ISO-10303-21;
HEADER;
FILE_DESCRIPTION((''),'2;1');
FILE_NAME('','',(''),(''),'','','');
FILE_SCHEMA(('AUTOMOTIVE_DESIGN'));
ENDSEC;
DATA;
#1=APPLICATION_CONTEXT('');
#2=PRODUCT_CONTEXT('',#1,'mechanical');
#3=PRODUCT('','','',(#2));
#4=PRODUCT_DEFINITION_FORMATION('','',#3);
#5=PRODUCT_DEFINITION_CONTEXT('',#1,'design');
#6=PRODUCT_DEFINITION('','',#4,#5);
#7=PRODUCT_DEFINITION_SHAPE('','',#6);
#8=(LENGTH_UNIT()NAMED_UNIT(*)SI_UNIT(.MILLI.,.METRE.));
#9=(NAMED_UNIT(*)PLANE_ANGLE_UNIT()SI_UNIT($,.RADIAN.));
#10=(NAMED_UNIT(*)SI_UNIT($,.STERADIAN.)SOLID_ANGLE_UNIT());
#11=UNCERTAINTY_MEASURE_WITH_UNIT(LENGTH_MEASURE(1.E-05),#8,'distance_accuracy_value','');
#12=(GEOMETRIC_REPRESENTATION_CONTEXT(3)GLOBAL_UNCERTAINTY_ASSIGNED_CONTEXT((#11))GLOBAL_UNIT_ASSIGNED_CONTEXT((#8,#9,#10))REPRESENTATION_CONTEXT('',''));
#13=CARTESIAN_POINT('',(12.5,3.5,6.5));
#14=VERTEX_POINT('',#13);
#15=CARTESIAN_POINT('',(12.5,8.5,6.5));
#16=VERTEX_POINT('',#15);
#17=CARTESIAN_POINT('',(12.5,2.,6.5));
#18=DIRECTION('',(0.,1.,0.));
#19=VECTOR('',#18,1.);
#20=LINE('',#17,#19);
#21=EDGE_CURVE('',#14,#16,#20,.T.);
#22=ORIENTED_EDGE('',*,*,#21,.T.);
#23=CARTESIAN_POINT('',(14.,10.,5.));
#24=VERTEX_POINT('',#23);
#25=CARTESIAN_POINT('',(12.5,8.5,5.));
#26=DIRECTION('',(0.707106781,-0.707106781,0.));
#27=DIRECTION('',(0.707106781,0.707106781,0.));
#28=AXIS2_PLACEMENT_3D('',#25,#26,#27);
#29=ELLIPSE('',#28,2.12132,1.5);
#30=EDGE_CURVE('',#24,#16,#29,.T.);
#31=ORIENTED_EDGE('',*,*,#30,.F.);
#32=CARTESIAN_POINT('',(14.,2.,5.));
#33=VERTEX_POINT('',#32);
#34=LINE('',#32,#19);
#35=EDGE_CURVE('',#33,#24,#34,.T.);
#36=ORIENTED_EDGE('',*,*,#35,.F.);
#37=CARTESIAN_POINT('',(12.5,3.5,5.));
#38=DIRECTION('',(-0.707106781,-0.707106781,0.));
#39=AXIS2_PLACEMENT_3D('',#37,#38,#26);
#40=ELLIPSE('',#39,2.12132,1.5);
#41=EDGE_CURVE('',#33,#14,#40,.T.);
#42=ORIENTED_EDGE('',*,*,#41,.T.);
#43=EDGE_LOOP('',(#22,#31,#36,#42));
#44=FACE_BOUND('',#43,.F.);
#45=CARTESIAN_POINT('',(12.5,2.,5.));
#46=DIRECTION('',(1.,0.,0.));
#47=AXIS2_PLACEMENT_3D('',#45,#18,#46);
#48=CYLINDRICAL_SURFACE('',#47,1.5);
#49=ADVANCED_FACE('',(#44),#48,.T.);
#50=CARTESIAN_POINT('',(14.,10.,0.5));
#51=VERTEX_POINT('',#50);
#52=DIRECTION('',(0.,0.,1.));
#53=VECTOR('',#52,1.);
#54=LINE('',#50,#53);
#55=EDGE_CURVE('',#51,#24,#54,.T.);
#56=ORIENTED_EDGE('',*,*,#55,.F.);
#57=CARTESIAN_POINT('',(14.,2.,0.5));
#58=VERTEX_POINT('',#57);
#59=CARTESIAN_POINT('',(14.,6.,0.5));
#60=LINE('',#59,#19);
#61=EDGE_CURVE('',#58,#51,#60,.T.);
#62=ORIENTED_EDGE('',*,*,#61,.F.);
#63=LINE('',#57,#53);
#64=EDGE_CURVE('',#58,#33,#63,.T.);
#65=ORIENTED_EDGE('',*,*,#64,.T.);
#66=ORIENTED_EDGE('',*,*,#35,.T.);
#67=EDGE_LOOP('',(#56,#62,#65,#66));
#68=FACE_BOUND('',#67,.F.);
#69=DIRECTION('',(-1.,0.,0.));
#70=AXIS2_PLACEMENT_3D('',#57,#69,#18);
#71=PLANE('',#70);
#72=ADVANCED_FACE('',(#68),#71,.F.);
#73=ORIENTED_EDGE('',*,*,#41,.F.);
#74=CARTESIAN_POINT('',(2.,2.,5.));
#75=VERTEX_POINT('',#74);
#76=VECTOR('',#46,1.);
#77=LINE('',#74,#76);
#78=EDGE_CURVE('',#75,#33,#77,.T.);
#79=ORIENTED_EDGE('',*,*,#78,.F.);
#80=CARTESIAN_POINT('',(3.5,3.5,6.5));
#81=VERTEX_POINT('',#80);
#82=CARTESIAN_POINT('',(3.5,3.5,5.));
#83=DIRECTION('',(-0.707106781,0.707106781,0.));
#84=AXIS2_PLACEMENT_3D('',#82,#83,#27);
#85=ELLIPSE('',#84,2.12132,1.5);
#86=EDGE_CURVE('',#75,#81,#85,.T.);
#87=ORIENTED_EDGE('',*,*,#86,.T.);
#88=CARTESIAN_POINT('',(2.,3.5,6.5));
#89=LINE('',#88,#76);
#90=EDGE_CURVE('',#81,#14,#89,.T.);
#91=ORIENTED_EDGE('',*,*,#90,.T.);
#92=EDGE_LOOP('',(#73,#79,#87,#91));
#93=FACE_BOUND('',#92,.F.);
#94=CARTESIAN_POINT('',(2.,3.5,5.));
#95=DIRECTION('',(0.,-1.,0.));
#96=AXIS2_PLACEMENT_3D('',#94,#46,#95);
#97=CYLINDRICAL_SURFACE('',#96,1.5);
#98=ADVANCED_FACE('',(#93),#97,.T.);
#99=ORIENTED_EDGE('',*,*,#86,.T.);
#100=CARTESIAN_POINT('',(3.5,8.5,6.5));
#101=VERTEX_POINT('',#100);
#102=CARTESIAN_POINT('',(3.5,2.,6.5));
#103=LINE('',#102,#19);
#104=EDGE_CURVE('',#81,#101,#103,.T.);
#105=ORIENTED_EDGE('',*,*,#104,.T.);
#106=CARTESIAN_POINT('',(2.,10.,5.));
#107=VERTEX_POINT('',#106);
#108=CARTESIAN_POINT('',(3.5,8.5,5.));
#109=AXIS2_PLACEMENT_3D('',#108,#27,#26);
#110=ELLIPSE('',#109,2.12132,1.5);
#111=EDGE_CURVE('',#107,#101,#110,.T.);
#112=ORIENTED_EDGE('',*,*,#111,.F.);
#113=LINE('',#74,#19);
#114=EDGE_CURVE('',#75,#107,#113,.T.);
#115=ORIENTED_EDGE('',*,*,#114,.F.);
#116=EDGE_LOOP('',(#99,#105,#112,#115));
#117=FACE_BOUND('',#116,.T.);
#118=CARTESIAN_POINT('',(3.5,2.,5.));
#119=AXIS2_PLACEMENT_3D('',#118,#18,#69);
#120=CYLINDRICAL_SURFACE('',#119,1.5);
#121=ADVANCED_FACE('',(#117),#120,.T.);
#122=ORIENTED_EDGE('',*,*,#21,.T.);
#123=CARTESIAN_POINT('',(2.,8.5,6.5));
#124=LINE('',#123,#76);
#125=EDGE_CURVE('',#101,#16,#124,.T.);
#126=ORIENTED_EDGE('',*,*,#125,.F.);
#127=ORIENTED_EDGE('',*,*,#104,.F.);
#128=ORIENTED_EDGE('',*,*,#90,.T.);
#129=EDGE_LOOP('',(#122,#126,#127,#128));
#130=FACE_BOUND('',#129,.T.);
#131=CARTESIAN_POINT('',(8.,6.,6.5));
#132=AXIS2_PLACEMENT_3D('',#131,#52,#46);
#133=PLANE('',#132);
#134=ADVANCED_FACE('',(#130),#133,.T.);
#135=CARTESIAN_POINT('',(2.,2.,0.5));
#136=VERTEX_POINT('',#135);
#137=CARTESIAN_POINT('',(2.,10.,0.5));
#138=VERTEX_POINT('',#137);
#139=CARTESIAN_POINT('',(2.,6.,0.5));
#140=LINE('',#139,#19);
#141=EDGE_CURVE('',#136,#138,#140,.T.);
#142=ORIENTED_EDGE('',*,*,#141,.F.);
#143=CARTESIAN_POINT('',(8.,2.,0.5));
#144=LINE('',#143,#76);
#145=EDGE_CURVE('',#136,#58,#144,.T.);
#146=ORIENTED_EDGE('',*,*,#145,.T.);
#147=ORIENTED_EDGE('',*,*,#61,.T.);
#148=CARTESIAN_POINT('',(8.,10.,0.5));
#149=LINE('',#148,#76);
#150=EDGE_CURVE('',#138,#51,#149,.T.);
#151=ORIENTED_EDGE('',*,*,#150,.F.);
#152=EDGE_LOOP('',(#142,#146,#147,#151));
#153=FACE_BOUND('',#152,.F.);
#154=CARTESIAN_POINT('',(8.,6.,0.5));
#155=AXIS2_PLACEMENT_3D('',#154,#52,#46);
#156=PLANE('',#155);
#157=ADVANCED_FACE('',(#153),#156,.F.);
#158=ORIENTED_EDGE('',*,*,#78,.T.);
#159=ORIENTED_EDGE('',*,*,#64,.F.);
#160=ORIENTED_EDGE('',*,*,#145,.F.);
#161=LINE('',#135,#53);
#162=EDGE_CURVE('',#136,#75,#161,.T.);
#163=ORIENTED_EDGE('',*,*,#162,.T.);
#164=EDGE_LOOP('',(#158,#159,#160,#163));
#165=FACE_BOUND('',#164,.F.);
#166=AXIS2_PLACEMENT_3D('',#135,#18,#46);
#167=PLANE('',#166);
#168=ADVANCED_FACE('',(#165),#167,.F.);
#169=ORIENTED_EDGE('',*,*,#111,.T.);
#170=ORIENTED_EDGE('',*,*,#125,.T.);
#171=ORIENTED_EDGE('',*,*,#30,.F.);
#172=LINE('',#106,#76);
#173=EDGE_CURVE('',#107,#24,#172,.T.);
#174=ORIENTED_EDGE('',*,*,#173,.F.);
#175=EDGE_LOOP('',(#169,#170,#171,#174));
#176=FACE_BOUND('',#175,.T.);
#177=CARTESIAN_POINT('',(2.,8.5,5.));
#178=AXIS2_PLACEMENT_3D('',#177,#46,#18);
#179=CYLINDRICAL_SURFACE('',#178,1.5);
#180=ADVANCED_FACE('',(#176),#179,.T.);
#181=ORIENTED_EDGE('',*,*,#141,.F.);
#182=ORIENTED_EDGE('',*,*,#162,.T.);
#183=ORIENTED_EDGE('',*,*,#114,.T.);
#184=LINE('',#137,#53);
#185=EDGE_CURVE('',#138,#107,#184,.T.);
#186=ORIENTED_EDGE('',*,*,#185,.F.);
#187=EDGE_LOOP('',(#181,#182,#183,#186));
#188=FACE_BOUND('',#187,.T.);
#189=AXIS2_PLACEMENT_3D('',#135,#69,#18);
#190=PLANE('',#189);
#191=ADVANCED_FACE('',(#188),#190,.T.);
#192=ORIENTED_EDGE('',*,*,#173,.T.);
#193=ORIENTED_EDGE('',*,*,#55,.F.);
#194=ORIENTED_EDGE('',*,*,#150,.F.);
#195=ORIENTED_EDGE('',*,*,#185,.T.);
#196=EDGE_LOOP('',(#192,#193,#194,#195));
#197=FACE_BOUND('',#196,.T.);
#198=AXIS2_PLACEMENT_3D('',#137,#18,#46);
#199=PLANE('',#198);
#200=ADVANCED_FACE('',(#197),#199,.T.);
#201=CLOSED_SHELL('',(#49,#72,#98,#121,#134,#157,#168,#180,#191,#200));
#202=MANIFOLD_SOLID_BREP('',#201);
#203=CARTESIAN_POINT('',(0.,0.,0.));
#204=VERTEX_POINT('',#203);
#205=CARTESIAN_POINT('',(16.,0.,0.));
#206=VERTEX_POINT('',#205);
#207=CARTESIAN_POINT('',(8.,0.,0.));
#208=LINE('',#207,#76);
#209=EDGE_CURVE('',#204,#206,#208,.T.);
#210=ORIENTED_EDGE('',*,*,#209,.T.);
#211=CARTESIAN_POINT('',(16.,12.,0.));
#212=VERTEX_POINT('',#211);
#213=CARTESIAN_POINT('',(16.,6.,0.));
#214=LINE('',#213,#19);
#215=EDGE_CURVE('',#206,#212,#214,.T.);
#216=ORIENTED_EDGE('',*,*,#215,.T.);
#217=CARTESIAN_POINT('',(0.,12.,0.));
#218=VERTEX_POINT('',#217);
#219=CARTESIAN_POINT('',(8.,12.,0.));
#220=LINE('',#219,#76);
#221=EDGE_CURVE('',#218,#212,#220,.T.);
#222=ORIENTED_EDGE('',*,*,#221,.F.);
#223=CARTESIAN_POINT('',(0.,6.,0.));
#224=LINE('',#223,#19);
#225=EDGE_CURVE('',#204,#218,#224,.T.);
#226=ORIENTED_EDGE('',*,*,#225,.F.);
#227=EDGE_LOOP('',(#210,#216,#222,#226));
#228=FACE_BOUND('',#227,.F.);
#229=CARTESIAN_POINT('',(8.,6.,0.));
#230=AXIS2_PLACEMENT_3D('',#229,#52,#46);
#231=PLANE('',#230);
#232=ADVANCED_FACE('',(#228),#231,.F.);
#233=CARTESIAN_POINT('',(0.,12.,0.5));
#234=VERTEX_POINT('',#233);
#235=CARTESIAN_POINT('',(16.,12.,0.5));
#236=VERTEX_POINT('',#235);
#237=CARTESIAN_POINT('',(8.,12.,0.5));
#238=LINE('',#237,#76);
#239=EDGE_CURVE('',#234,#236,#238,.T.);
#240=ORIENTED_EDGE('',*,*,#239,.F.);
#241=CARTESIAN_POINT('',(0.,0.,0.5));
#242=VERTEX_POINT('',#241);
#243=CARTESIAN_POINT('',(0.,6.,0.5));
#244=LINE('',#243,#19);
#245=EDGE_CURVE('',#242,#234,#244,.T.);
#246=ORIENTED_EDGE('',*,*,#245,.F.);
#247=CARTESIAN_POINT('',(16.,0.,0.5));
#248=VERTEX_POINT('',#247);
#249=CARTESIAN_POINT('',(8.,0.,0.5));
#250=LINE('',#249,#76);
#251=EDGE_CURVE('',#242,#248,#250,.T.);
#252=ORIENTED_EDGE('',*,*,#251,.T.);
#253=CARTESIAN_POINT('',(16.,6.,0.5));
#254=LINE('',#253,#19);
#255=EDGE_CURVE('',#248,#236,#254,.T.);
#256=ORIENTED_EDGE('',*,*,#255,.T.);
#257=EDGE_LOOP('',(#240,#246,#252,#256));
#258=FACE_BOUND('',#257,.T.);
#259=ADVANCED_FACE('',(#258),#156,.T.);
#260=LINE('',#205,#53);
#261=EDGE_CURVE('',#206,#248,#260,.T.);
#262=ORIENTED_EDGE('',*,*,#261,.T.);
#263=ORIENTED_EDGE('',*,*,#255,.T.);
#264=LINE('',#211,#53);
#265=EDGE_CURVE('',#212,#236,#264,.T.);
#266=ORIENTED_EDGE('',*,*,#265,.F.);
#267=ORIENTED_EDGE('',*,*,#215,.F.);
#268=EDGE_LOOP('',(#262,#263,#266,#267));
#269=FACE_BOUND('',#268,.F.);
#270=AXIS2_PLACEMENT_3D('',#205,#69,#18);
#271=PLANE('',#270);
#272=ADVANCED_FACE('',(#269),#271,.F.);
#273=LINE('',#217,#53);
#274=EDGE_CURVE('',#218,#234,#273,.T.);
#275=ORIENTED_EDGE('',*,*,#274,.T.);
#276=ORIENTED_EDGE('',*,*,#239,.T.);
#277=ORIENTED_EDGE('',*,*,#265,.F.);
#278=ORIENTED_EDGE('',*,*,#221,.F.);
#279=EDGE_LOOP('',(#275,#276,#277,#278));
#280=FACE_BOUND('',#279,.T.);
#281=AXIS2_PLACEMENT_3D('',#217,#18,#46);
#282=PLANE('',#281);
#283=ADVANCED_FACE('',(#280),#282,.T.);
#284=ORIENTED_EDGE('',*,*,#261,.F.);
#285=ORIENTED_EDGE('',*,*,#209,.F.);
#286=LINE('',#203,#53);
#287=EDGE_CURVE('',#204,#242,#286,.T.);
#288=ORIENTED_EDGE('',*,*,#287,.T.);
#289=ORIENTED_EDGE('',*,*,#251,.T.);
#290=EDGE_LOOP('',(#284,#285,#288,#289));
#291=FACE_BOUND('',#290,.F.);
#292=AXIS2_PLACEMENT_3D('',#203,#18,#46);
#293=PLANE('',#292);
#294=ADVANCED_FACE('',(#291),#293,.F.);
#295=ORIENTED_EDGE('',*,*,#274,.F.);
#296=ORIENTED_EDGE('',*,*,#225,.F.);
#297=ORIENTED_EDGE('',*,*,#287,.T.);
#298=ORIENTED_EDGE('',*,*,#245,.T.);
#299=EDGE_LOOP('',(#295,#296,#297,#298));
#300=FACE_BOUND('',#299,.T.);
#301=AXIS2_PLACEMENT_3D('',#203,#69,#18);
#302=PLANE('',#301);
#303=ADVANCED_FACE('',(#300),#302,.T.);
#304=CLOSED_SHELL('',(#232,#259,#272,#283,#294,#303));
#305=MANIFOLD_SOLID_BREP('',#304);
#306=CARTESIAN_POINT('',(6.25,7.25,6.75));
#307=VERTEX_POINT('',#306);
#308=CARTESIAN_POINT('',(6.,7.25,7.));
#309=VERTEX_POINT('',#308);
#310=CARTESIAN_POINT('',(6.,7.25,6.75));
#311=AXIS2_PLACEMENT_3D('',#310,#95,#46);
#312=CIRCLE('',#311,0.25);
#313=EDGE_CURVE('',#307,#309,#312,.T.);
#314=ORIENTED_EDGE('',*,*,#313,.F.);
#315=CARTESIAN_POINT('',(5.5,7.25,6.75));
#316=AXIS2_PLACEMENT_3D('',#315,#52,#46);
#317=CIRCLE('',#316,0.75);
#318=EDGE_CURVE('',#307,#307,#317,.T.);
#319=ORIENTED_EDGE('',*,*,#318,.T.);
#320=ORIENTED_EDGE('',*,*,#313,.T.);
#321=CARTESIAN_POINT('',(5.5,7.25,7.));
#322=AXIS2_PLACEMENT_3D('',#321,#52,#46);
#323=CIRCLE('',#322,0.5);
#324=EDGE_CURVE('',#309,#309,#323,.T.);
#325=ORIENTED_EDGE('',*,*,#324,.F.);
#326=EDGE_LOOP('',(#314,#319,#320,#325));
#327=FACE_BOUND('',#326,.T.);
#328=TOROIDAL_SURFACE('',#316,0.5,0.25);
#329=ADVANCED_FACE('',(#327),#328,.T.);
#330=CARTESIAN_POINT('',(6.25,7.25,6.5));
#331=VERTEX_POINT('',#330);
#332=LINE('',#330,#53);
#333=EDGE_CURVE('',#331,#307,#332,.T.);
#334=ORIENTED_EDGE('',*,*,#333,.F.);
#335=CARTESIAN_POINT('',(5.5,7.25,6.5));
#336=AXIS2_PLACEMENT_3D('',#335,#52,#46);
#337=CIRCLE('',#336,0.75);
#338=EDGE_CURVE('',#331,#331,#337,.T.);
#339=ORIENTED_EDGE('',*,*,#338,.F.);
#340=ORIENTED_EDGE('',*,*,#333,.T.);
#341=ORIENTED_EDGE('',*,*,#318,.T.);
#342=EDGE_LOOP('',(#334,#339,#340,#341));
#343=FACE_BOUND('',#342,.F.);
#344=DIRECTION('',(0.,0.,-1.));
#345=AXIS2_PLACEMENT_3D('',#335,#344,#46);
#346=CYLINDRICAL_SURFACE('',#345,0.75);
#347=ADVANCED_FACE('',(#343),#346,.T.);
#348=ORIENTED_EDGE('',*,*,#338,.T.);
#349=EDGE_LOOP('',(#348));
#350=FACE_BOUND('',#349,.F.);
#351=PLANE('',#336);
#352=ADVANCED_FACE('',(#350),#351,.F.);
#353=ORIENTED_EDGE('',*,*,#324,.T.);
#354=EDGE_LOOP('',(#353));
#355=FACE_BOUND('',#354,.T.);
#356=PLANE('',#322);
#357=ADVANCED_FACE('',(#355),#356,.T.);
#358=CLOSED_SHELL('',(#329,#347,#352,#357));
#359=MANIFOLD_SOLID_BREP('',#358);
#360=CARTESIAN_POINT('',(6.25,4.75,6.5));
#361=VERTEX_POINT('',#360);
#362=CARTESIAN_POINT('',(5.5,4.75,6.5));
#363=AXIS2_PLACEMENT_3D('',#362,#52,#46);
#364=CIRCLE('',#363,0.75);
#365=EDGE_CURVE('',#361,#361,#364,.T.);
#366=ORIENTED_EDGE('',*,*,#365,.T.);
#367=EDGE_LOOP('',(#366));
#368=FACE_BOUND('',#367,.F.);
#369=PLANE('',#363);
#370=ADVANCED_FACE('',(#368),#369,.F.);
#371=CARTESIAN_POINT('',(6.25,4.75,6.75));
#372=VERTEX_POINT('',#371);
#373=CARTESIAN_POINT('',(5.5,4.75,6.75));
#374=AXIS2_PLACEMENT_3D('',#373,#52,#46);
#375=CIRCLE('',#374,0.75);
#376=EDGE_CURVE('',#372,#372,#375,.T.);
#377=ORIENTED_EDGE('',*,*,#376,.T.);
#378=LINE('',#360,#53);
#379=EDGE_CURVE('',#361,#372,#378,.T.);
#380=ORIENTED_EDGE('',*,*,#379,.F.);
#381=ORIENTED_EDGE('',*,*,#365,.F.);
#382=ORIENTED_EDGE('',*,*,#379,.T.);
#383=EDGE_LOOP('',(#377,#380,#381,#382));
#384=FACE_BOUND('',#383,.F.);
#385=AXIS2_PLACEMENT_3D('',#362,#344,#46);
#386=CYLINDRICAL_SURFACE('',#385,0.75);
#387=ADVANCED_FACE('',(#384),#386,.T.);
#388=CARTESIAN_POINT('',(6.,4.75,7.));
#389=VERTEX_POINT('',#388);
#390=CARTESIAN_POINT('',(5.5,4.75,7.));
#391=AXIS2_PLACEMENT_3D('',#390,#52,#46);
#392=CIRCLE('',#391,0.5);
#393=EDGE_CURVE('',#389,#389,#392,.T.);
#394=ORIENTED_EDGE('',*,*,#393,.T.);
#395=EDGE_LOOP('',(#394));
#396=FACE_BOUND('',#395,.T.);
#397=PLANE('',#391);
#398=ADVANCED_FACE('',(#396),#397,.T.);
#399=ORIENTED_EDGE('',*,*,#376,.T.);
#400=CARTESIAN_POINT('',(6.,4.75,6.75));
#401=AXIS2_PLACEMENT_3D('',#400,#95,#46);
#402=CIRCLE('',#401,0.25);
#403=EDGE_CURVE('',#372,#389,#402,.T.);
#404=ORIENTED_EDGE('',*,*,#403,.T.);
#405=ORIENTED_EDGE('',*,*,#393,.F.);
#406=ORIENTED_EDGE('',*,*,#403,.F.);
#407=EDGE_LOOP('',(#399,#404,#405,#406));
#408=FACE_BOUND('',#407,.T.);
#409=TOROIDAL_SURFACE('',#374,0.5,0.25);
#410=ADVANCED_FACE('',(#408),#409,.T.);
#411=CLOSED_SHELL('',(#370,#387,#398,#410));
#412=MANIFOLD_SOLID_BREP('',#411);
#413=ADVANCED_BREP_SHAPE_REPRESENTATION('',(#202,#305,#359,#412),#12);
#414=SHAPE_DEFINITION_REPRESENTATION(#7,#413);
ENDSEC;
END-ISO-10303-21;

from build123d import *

# Parameters (mm, degrees)
SKETCH_W     = 16
SKETCH_H     = 12
PAD_DEPTH    = 0.5
SKETCH001_W  = 12
SKETCH001_H  = 8
PAD001_DEPTH = 6
FILLET_R     = 1.5
SKETCH002_R  = 0.75
PAD002_DEPTH = 0.5
FILLET001_R  = 0.25
SKETCH004_R  = 0.75
PAD004_DEPTH = 0.5
FILLET003_R  = 0.25


with BuildPart() as pad:
    # Sketch → Pad (new body)
    with BuildSketch(Plane.XY):
        with Locations((8, 6)):
            Rectangle(SKETCH_W, SKETCH_H)
    extrude(amount=PAD_DEPTH)


with BuildPart() as fillet_body:
    # Sketch001 → Pad001 (new body)
    with BuildSketch(Plane.XY.offset(0.5)):
        with Locations((8, 6)):
            Rectangle(SKETCH001_W, SKETCH001_H)
    extrude(amount=PAD001_DEPTH)

    # Fillet
    fillet_edges = [fillet_body.edges().sort_by_distance(p)[0] for p in [
        (8, 2, 6.5),
        (14, 6, 6.5),
        (8, 10, 6.5),
        (2, 6, 6.5),
    ]]
    fillet(fillet_edges, radius=FILLET_R)


with BuildPart() as fillet001:
    # Sketch002 → Pad002 (new body)
    with BuildSketch(Plane.XY.offset(6.5)):
        with Locations((5.5, 4.75)):
            Circle(SKETCH002_R)
    extrude(amount=PAD002_DEPTH)

    # Fillet001
    fillet001_edges = [fillet001.edges().sort_by_distance(p)[0] for p in [
        (4.75, 4.75, 7),
    ]]
    fillet(fillet001_edges, radius=FILLET001_R)


with BuildPart() as fillet003:
    # Sketch004 → Pad004 (new body)
    with BuildSketch(Plane.XY.offset(6.5)):
        with Locations((5.5, 7.25)):
            Circle(SKETCH004_R)
    extrude(amount=PAD004_DEPTH)

    # Fillet003
    fillet003_edges = [fillet003.edges().sort_by_distance(p)[0] for p in [
        (4.75, 7.25, 7),
    ]]
    fillet(fillet003_edges, radius=FILLET003_R)


solid = Compound([pad.part, fillet_body.part, fillet001.part, fillet003.part])
